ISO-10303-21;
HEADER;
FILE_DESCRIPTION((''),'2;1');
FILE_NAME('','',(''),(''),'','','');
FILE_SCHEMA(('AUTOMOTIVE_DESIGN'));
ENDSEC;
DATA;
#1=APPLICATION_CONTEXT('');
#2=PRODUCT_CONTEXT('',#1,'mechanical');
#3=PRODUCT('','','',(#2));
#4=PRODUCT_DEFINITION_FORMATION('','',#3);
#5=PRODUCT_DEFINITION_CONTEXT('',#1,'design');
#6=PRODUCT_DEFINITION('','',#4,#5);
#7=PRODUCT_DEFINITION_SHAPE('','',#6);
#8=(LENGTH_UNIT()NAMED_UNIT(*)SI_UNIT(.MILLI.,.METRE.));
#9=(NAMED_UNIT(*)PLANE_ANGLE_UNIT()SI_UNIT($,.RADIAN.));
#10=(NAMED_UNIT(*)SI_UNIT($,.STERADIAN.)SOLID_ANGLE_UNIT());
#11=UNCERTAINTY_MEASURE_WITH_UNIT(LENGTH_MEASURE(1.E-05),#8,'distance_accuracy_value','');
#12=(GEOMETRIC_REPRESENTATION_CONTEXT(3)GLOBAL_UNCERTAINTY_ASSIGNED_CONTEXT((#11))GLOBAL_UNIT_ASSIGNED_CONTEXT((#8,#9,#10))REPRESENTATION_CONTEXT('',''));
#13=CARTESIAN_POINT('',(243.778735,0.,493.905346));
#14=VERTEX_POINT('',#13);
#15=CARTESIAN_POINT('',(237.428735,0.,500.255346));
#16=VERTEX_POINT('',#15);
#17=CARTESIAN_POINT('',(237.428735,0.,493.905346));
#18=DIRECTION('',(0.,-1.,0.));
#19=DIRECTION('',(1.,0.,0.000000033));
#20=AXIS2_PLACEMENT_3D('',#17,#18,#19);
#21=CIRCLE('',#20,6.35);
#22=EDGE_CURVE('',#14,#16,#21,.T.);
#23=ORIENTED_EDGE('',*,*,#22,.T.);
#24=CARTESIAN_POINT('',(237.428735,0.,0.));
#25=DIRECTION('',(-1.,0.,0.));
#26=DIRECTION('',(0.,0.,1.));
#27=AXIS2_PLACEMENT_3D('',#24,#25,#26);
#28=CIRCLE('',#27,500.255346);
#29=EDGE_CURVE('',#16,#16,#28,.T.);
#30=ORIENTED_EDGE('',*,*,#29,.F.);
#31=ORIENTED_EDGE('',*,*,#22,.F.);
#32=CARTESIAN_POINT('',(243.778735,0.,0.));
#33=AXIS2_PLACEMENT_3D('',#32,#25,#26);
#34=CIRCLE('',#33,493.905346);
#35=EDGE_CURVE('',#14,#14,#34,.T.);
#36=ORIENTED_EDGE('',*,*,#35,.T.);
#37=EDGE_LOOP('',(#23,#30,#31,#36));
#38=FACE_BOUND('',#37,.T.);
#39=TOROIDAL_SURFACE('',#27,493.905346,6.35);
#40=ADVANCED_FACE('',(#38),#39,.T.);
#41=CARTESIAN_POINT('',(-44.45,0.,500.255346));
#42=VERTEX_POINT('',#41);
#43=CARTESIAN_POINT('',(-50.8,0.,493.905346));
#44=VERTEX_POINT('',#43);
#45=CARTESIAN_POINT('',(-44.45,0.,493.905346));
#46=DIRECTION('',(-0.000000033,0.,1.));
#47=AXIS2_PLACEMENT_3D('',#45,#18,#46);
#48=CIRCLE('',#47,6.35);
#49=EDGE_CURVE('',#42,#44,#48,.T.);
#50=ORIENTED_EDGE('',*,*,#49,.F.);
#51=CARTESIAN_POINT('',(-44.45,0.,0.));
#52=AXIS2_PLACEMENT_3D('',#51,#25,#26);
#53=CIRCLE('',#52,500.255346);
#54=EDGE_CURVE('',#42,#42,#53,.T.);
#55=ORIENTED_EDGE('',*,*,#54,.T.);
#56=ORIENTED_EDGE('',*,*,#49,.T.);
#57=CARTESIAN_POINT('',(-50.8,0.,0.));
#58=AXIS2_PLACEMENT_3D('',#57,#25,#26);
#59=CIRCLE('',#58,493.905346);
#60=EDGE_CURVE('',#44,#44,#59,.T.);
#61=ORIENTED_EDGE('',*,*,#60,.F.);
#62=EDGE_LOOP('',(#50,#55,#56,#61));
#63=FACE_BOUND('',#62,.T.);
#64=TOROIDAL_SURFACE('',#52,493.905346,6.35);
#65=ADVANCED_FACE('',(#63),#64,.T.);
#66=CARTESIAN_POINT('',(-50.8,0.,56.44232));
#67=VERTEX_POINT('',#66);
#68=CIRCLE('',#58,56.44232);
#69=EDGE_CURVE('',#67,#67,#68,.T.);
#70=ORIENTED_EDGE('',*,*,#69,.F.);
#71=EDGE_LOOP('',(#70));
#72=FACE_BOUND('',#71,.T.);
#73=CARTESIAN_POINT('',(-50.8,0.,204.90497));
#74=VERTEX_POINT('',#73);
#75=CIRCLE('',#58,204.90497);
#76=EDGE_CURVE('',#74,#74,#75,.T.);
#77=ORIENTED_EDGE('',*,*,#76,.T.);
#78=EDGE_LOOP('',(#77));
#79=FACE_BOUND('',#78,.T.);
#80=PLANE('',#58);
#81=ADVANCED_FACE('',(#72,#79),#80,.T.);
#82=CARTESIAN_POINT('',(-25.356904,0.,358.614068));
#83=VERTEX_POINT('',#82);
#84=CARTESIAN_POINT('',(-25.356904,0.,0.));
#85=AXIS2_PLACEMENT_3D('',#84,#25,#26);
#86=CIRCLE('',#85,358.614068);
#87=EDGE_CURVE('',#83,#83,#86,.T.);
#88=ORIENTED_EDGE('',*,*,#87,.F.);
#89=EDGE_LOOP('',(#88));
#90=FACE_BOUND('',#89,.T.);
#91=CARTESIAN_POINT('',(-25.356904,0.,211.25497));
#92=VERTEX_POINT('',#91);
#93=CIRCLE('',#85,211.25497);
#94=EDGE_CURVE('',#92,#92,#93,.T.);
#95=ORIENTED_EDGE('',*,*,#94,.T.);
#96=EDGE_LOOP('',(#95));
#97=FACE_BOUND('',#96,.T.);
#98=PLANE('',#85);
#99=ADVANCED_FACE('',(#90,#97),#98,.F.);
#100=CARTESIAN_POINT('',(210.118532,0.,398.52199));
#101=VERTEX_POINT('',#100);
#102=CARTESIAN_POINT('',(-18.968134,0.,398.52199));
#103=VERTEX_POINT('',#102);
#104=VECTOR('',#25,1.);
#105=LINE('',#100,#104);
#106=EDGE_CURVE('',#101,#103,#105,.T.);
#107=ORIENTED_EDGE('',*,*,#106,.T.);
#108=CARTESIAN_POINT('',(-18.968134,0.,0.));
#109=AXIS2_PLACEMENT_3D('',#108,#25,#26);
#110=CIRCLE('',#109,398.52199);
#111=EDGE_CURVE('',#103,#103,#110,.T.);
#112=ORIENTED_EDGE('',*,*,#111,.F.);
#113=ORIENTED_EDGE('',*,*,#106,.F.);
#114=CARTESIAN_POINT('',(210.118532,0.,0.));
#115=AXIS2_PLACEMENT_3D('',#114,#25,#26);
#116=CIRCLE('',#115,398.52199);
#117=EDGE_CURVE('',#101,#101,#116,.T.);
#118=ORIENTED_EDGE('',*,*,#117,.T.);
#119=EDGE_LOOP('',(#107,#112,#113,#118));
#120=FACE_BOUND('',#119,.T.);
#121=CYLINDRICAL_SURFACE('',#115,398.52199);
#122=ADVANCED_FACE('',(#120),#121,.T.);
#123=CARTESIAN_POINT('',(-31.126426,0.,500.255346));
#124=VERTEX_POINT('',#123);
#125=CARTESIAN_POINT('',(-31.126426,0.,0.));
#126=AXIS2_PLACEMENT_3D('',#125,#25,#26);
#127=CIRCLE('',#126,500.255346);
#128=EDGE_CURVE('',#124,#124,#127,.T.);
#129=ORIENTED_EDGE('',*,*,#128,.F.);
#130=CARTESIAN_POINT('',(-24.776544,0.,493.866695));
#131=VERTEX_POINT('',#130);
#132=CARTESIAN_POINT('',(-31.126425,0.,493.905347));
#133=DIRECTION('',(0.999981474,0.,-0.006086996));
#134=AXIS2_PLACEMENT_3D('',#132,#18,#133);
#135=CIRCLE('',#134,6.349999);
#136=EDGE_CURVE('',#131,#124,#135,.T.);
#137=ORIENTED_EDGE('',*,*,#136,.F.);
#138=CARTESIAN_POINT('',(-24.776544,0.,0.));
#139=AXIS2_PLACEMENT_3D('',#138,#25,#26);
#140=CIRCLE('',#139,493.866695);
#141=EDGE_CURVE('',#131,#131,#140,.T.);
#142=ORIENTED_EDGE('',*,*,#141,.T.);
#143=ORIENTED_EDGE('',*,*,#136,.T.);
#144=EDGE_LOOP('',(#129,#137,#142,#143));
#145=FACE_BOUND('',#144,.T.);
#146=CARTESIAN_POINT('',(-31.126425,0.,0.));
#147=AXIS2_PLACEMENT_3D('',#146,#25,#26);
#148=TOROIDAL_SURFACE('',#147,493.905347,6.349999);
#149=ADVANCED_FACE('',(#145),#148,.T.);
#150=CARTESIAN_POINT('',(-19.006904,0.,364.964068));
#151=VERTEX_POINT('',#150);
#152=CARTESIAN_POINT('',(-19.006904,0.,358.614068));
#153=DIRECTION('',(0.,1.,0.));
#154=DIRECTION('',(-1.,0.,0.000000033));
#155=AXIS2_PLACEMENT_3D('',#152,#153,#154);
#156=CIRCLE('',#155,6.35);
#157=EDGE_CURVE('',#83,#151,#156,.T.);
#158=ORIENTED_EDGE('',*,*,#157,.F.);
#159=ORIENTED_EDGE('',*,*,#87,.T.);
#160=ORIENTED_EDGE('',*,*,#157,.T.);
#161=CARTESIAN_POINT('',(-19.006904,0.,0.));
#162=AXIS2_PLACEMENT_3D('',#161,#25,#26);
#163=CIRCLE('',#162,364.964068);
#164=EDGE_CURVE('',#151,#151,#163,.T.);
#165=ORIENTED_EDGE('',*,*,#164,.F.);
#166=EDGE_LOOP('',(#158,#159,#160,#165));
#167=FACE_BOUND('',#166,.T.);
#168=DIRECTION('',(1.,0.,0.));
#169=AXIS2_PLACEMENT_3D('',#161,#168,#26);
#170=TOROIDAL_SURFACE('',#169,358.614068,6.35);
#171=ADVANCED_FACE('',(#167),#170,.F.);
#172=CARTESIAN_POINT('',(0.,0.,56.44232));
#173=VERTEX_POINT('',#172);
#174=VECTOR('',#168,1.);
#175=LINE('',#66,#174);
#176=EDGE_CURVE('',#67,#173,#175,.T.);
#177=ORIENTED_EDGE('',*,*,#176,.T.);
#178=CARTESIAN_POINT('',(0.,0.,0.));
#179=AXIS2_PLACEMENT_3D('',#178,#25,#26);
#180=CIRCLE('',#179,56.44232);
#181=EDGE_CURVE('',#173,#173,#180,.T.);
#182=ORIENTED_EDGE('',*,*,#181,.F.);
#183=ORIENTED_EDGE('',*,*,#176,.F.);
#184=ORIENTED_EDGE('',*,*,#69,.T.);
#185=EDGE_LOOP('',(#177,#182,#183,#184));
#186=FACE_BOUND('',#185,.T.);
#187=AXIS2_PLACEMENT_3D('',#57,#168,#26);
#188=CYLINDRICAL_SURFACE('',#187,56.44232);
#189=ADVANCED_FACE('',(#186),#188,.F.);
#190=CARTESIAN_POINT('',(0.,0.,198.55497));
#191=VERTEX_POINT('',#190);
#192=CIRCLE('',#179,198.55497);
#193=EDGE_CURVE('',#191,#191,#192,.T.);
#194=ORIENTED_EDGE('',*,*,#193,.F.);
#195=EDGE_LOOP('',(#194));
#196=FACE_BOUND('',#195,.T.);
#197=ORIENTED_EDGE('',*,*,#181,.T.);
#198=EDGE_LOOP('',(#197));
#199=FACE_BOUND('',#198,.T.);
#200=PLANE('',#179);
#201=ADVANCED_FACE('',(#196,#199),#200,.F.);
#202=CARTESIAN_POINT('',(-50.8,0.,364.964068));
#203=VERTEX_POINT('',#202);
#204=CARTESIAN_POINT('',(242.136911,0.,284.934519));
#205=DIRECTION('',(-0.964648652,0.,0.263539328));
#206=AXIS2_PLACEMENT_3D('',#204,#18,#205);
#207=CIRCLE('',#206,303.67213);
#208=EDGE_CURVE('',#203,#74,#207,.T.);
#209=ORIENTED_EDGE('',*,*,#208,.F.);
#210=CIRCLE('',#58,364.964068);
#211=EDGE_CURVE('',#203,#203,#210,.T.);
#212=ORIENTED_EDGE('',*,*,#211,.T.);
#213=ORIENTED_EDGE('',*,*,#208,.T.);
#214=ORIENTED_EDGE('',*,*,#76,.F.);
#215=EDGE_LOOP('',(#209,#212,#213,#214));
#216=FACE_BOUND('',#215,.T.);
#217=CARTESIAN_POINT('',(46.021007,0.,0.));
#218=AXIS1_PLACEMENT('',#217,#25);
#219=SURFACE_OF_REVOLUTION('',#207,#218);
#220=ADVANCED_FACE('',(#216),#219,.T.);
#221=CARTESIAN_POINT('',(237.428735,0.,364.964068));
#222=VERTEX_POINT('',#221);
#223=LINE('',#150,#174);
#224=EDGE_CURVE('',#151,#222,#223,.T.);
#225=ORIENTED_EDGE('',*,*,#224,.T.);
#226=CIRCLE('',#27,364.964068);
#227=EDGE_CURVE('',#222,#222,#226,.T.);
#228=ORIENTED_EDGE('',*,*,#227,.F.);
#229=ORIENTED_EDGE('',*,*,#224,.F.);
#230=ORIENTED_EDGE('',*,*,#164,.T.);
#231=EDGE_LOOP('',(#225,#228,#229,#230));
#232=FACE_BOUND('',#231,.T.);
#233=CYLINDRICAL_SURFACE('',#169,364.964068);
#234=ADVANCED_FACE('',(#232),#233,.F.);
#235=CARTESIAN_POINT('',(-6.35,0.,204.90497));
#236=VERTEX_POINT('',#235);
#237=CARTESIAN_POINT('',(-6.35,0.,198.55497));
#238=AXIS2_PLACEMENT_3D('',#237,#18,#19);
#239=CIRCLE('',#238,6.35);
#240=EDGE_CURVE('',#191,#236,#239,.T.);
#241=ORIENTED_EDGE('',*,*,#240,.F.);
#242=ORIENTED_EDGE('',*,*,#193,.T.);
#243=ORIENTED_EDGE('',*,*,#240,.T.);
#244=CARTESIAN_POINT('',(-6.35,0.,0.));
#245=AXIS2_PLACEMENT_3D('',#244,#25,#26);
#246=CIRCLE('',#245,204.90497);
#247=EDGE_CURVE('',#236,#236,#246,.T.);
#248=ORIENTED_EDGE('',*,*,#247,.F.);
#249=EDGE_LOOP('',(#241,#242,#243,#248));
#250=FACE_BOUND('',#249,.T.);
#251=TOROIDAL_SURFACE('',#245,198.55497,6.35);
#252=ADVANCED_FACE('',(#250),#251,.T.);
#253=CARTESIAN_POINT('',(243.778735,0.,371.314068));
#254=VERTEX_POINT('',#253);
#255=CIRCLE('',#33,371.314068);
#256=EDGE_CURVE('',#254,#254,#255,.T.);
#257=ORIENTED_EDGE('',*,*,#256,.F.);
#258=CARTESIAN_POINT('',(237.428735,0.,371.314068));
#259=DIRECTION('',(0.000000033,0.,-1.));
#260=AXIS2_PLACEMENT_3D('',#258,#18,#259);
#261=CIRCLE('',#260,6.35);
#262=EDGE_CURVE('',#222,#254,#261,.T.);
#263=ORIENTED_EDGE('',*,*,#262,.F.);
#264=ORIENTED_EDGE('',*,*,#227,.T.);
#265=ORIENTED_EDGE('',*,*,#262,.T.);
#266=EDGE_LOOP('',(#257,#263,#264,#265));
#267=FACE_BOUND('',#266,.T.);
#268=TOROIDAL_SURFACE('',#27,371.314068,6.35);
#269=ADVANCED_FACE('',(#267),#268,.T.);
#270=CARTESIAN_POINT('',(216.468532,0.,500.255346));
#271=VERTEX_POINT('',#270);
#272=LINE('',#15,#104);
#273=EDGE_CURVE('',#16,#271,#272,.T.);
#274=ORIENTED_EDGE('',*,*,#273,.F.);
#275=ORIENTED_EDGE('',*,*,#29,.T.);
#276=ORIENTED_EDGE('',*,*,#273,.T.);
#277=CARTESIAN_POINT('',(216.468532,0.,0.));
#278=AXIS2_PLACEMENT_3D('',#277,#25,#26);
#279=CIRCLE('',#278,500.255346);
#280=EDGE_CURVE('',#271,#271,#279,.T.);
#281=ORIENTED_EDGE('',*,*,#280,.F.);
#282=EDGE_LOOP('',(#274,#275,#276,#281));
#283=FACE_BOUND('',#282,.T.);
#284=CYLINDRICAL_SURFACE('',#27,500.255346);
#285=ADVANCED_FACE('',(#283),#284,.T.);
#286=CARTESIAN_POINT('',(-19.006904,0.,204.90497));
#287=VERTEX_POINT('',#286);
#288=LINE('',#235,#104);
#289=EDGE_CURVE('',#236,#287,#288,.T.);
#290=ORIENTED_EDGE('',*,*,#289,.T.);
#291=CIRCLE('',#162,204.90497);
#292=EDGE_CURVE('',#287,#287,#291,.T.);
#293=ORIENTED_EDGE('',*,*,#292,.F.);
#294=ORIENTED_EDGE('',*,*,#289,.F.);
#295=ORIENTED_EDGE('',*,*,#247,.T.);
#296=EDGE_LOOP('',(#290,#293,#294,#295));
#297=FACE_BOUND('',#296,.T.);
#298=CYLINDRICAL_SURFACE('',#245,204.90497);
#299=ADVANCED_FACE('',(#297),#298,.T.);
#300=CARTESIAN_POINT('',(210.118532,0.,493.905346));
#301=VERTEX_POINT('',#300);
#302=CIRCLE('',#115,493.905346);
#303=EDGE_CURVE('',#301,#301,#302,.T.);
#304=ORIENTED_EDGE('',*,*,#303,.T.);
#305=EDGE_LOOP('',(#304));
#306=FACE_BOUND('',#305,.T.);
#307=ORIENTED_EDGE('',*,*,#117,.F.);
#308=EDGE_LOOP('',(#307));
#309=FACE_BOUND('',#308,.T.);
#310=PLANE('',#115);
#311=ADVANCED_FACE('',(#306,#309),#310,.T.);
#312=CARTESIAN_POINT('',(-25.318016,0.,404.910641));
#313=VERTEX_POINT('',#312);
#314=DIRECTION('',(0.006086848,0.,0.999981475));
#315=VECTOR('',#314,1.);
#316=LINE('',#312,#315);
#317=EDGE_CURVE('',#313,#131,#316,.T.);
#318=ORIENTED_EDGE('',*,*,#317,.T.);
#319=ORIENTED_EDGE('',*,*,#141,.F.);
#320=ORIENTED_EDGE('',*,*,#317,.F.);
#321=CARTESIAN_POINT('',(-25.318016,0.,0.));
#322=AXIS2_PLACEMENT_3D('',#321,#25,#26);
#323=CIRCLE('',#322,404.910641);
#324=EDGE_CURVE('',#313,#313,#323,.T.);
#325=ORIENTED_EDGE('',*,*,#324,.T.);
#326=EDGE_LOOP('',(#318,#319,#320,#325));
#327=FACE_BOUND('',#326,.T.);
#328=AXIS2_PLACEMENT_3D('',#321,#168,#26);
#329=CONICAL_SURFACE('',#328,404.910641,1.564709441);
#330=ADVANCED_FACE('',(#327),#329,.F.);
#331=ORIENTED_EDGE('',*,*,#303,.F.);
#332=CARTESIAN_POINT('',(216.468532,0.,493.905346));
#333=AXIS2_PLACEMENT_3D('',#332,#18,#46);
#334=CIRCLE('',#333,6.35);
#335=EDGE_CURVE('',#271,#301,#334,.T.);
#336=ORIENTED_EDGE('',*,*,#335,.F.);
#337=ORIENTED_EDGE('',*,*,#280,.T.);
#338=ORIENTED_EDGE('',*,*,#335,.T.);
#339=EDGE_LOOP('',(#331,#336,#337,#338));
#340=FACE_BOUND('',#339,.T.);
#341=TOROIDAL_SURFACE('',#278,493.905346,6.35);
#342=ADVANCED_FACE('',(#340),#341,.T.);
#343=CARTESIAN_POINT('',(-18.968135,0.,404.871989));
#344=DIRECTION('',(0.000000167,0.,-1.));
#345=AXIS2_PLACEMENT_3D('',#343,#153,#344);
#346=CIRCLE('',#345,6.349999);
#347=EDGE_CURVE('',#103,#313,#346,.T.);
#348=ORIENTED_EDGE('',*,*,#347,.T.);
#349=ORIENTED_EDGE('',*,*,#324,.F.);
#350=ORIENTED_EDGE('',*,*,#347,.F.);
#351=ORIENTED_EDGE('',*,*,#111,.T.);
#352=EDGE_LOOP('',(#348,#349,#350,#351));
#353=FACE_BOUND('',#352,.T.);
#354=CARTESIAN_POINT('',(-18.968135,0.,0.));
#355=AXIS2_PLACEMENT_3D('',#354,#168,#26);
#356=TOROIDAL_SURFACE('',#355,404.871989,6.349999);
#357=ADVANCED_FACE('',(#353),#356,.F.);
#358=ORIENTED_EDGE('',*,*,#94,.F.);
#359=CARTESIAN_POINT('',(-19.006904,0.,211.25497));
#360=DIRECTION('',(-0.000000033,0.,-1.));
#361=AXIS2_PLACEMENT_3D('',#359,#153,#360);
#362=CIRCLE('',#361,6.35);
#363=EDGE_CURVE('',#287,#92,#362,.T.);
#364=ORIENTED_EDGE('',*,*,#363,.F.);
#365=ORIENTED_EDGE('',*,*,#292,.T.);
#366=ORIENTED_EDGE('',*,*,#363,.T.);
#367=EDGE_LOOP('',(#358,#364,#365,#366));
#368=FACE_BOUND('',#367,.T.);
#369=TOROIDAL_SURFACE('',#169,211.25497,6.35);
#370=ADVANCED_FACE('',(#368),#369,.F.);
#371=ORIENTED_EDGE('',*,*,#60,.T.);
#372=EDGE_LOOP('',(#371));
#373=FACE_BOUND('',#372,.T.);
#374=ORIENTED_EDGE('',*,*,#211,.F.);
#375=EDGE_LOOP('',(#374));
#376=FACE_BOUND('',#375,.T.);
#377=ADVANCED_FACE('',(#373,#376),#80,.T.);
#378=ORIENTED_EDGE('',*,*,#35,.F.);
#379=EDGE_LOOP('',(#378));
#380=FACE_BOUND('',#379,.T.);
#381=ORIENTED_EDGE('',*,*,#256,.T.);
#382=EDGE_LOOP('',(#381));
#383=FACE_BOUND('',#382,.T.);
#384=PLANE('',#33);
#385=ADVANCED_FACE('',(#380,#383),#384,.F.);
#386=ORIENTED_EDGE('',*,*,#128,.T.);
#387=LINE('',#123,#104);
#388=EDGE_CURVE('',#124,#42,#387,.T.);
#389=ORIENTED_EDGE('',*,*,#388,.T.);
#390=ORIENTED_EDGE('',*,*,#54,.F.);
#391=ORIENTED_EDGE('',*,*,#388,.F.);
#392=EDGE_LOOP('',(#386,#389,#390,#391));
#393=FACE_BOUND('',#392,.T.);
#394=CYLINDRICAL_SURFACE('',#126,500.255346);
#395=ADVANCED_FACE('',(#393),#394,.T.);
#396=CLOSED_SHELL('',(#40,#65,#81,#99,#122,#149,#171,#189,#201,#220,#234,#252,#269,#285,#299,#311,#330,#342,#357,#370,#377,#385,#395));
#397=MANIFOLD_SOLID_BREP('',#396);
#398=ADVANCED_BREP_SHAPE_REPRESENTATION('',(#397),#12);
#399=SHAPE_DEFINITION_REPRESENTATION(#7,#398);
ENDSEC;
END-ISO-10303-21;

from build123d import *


with BuildPart() as f1:
    # F0 (on Front) → F1 (revolve)
    with BuildSketch(Plane.XZ):
        with BuildLine():
            Line((-50.8, 493.905346), (-50.8, 364.964068))
            ThreePointArc((-50.8, 364.964068), (-61.535219, 284.934519), (-50.8, 204.90497))
            Line((-50.8, 204.90497), (-50.8, 56.44232))
            Line((-50.8, 56.44232), (0, 56.44232))
            Line((0, 56.44232), (0, 198.55497))
            ThreePointArc((0, 198.55497), (-1.859872, 203.045098), (-6.35, 204.90497))
            Line((-6.35, 204.90497), (-19.006904, 204.90497))
            ThreePointArc((-19.006904, 204.90497), (-23.497032, 206.764842), (-25.356904, 211.25497))
            Line((-25.356904, 211.25497), (-25.356904, 358.614068))
            ThreePointArc((-25.356904, 358.614068), (-23.497032, 363.104196), (-19.006904, 364.964068))
            Line((-19.006904, 364.964068), (237.428735, 364.964068))
            ThreePointArc((237.428735, 364.964068), (241.918863, 366.82394), (243.778735, 371.314068))
            Line((243.778735, 371.314068), (243.778735, 493.905346))
            ThreePointArc((243.778735, 493.905346), (241.918863, 498.395474), (237.428735, 500.255346))
            Line((237.428735, 500.255346), (216.468532, 500.255346))
            ThreePointArc((216.468532, 500.255346), (211.978404, 498.395474), (210.118532, 493.905346))
            Line((210.118532, 493.905346), (210.118532, 398.52199))
            Line((210.118532, 398.52199), (-18.968134, 398.52199))
            ThreePointArc((-18.968134, 398.52199), (-23.471907, 400.395548), (-25.318016, 404.910641))
            Line((-25.318016, 404.910641), (-24.776544, 493.866695))
            ThreePointArc((-24.776544, 493.866695), (-26.622653, 498.381788), (-31.126426, 500.255346))
            Line((-31.126426, 500.255346), (-44.45, 500.255346))
            ThreePointArc((-44.45, 500.255346), (-48.940128, 498.395474), (-50.8, 493.905346))
        make_face()
    revolve(axis=Axis((46.021007, 0, 0), (-1, 0, 0)))


solid = f1.part
